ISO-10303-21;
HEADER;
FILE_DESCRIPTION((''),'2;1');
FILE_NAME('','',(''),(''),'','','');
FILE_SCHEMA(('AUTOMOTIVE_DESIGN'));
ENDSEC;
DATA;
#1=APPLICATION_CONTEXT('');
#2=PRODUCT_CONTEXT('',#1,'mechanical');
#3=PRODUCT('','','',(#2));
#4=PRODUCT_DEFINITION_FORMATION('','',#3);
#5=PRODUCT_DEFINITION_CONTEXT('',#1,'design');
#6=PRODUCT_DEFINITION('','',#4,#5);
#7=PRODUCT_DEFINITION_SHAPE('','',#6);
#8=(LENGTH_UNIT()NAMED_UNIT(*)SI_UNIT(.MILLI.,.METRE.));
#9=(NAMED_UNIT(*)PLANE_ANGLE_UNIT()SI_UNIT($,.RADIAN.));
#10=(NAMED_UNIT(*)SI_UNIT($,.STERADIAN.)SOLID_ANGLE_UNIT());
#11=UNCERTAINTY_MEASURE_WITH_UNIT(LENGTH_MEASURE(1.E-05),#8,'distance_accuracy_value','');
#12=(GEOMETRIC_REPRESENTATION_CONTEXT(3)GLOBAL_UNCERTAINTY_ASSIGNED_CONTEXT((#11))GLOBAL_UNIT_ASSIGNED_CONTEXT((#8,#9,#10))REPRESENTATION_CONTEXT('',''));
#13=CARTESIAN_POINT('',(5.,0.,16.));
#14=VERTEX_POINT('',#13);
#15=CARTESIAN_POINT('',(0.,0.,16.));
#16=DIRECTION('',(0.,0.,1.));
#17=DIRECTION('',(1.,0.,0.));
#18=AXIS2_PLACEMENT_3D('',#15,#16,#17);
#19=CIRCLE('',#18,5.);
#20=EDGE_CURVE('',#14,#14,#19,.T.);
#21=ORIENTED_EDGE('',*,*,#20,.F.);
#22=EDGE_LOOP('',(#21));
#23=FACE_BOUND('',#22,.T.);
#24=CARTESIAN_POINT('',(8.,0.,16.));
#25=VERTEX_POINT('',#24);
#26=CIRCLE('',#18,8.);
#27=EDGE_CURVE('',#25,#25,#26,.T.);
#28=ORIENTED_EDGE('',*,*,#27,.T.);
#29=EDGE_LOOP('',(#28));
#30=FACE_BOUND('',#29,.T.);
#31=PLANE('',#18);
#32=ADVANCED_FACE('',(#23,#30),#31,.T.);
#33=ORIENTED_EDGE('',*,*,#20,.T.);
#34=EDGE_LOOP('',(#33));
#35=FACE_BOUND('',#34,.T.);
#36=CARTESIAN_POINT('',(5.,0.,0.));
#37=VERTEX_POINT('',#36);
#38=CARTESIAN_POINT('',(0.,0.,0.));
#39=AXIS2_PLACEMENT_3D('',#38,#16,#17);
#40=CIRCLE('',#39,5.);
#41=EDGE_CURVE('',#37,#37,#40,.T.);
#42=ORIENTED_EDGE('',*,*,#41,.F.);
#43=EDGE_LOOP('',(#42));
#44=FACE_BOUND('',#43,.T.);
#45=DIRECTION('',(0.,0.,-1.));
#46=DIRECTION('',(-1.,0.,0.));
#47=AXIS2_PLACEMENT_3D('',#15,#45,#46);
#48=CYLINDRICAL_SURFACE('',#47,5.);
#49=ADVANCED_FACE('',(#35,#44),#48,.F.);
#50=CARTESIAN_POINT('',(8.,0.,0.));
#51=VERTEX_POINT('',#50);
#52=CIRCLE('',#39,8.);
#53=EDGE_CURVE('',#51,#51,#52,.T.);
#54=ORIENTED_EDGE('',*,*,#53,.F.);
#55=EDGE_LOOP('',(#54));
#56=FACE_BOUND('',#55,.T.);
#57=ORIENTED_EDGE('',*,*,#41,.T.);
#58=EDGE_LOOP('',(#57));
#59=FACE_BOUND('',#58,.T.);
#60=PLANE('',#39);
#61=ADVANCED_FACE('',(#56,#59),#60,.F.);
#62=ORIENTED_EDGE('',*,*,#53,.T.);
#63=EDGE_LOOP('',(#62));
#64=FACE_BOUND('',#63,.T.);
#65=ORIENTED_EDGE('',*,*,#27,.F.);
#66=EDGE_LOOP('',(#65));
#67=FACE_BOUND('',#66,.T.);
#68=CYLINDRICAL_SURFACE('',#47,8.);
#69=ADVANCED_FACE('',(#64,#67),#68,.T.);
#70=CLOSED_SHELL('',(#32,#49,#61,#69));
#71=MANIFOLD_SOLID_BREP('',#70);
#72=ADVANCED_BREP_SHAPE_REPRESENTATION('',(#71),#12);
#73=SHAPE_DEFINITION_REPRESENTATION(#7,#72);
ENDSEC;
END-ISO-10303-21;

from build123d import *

# Parameters (mm, degrees)
ESQUISSE1_R        = 8
ESQUISSE1_R_2      = 5
BOSS_EXTRU_1_DEPTH = 16


with BuildPart() as part:
    # Esquisse1 → Boss.-Extru.1 (new body)
    with BuildSketch(Plane.XY):
        Circle(ESQUISSE1_R)
        Circle(ESQUISSE1_R_2, mode=Mode.SUBTRACT)
    extrude(amount=BOSS_EXTRU_1_DEPTH)


solid = part.part
